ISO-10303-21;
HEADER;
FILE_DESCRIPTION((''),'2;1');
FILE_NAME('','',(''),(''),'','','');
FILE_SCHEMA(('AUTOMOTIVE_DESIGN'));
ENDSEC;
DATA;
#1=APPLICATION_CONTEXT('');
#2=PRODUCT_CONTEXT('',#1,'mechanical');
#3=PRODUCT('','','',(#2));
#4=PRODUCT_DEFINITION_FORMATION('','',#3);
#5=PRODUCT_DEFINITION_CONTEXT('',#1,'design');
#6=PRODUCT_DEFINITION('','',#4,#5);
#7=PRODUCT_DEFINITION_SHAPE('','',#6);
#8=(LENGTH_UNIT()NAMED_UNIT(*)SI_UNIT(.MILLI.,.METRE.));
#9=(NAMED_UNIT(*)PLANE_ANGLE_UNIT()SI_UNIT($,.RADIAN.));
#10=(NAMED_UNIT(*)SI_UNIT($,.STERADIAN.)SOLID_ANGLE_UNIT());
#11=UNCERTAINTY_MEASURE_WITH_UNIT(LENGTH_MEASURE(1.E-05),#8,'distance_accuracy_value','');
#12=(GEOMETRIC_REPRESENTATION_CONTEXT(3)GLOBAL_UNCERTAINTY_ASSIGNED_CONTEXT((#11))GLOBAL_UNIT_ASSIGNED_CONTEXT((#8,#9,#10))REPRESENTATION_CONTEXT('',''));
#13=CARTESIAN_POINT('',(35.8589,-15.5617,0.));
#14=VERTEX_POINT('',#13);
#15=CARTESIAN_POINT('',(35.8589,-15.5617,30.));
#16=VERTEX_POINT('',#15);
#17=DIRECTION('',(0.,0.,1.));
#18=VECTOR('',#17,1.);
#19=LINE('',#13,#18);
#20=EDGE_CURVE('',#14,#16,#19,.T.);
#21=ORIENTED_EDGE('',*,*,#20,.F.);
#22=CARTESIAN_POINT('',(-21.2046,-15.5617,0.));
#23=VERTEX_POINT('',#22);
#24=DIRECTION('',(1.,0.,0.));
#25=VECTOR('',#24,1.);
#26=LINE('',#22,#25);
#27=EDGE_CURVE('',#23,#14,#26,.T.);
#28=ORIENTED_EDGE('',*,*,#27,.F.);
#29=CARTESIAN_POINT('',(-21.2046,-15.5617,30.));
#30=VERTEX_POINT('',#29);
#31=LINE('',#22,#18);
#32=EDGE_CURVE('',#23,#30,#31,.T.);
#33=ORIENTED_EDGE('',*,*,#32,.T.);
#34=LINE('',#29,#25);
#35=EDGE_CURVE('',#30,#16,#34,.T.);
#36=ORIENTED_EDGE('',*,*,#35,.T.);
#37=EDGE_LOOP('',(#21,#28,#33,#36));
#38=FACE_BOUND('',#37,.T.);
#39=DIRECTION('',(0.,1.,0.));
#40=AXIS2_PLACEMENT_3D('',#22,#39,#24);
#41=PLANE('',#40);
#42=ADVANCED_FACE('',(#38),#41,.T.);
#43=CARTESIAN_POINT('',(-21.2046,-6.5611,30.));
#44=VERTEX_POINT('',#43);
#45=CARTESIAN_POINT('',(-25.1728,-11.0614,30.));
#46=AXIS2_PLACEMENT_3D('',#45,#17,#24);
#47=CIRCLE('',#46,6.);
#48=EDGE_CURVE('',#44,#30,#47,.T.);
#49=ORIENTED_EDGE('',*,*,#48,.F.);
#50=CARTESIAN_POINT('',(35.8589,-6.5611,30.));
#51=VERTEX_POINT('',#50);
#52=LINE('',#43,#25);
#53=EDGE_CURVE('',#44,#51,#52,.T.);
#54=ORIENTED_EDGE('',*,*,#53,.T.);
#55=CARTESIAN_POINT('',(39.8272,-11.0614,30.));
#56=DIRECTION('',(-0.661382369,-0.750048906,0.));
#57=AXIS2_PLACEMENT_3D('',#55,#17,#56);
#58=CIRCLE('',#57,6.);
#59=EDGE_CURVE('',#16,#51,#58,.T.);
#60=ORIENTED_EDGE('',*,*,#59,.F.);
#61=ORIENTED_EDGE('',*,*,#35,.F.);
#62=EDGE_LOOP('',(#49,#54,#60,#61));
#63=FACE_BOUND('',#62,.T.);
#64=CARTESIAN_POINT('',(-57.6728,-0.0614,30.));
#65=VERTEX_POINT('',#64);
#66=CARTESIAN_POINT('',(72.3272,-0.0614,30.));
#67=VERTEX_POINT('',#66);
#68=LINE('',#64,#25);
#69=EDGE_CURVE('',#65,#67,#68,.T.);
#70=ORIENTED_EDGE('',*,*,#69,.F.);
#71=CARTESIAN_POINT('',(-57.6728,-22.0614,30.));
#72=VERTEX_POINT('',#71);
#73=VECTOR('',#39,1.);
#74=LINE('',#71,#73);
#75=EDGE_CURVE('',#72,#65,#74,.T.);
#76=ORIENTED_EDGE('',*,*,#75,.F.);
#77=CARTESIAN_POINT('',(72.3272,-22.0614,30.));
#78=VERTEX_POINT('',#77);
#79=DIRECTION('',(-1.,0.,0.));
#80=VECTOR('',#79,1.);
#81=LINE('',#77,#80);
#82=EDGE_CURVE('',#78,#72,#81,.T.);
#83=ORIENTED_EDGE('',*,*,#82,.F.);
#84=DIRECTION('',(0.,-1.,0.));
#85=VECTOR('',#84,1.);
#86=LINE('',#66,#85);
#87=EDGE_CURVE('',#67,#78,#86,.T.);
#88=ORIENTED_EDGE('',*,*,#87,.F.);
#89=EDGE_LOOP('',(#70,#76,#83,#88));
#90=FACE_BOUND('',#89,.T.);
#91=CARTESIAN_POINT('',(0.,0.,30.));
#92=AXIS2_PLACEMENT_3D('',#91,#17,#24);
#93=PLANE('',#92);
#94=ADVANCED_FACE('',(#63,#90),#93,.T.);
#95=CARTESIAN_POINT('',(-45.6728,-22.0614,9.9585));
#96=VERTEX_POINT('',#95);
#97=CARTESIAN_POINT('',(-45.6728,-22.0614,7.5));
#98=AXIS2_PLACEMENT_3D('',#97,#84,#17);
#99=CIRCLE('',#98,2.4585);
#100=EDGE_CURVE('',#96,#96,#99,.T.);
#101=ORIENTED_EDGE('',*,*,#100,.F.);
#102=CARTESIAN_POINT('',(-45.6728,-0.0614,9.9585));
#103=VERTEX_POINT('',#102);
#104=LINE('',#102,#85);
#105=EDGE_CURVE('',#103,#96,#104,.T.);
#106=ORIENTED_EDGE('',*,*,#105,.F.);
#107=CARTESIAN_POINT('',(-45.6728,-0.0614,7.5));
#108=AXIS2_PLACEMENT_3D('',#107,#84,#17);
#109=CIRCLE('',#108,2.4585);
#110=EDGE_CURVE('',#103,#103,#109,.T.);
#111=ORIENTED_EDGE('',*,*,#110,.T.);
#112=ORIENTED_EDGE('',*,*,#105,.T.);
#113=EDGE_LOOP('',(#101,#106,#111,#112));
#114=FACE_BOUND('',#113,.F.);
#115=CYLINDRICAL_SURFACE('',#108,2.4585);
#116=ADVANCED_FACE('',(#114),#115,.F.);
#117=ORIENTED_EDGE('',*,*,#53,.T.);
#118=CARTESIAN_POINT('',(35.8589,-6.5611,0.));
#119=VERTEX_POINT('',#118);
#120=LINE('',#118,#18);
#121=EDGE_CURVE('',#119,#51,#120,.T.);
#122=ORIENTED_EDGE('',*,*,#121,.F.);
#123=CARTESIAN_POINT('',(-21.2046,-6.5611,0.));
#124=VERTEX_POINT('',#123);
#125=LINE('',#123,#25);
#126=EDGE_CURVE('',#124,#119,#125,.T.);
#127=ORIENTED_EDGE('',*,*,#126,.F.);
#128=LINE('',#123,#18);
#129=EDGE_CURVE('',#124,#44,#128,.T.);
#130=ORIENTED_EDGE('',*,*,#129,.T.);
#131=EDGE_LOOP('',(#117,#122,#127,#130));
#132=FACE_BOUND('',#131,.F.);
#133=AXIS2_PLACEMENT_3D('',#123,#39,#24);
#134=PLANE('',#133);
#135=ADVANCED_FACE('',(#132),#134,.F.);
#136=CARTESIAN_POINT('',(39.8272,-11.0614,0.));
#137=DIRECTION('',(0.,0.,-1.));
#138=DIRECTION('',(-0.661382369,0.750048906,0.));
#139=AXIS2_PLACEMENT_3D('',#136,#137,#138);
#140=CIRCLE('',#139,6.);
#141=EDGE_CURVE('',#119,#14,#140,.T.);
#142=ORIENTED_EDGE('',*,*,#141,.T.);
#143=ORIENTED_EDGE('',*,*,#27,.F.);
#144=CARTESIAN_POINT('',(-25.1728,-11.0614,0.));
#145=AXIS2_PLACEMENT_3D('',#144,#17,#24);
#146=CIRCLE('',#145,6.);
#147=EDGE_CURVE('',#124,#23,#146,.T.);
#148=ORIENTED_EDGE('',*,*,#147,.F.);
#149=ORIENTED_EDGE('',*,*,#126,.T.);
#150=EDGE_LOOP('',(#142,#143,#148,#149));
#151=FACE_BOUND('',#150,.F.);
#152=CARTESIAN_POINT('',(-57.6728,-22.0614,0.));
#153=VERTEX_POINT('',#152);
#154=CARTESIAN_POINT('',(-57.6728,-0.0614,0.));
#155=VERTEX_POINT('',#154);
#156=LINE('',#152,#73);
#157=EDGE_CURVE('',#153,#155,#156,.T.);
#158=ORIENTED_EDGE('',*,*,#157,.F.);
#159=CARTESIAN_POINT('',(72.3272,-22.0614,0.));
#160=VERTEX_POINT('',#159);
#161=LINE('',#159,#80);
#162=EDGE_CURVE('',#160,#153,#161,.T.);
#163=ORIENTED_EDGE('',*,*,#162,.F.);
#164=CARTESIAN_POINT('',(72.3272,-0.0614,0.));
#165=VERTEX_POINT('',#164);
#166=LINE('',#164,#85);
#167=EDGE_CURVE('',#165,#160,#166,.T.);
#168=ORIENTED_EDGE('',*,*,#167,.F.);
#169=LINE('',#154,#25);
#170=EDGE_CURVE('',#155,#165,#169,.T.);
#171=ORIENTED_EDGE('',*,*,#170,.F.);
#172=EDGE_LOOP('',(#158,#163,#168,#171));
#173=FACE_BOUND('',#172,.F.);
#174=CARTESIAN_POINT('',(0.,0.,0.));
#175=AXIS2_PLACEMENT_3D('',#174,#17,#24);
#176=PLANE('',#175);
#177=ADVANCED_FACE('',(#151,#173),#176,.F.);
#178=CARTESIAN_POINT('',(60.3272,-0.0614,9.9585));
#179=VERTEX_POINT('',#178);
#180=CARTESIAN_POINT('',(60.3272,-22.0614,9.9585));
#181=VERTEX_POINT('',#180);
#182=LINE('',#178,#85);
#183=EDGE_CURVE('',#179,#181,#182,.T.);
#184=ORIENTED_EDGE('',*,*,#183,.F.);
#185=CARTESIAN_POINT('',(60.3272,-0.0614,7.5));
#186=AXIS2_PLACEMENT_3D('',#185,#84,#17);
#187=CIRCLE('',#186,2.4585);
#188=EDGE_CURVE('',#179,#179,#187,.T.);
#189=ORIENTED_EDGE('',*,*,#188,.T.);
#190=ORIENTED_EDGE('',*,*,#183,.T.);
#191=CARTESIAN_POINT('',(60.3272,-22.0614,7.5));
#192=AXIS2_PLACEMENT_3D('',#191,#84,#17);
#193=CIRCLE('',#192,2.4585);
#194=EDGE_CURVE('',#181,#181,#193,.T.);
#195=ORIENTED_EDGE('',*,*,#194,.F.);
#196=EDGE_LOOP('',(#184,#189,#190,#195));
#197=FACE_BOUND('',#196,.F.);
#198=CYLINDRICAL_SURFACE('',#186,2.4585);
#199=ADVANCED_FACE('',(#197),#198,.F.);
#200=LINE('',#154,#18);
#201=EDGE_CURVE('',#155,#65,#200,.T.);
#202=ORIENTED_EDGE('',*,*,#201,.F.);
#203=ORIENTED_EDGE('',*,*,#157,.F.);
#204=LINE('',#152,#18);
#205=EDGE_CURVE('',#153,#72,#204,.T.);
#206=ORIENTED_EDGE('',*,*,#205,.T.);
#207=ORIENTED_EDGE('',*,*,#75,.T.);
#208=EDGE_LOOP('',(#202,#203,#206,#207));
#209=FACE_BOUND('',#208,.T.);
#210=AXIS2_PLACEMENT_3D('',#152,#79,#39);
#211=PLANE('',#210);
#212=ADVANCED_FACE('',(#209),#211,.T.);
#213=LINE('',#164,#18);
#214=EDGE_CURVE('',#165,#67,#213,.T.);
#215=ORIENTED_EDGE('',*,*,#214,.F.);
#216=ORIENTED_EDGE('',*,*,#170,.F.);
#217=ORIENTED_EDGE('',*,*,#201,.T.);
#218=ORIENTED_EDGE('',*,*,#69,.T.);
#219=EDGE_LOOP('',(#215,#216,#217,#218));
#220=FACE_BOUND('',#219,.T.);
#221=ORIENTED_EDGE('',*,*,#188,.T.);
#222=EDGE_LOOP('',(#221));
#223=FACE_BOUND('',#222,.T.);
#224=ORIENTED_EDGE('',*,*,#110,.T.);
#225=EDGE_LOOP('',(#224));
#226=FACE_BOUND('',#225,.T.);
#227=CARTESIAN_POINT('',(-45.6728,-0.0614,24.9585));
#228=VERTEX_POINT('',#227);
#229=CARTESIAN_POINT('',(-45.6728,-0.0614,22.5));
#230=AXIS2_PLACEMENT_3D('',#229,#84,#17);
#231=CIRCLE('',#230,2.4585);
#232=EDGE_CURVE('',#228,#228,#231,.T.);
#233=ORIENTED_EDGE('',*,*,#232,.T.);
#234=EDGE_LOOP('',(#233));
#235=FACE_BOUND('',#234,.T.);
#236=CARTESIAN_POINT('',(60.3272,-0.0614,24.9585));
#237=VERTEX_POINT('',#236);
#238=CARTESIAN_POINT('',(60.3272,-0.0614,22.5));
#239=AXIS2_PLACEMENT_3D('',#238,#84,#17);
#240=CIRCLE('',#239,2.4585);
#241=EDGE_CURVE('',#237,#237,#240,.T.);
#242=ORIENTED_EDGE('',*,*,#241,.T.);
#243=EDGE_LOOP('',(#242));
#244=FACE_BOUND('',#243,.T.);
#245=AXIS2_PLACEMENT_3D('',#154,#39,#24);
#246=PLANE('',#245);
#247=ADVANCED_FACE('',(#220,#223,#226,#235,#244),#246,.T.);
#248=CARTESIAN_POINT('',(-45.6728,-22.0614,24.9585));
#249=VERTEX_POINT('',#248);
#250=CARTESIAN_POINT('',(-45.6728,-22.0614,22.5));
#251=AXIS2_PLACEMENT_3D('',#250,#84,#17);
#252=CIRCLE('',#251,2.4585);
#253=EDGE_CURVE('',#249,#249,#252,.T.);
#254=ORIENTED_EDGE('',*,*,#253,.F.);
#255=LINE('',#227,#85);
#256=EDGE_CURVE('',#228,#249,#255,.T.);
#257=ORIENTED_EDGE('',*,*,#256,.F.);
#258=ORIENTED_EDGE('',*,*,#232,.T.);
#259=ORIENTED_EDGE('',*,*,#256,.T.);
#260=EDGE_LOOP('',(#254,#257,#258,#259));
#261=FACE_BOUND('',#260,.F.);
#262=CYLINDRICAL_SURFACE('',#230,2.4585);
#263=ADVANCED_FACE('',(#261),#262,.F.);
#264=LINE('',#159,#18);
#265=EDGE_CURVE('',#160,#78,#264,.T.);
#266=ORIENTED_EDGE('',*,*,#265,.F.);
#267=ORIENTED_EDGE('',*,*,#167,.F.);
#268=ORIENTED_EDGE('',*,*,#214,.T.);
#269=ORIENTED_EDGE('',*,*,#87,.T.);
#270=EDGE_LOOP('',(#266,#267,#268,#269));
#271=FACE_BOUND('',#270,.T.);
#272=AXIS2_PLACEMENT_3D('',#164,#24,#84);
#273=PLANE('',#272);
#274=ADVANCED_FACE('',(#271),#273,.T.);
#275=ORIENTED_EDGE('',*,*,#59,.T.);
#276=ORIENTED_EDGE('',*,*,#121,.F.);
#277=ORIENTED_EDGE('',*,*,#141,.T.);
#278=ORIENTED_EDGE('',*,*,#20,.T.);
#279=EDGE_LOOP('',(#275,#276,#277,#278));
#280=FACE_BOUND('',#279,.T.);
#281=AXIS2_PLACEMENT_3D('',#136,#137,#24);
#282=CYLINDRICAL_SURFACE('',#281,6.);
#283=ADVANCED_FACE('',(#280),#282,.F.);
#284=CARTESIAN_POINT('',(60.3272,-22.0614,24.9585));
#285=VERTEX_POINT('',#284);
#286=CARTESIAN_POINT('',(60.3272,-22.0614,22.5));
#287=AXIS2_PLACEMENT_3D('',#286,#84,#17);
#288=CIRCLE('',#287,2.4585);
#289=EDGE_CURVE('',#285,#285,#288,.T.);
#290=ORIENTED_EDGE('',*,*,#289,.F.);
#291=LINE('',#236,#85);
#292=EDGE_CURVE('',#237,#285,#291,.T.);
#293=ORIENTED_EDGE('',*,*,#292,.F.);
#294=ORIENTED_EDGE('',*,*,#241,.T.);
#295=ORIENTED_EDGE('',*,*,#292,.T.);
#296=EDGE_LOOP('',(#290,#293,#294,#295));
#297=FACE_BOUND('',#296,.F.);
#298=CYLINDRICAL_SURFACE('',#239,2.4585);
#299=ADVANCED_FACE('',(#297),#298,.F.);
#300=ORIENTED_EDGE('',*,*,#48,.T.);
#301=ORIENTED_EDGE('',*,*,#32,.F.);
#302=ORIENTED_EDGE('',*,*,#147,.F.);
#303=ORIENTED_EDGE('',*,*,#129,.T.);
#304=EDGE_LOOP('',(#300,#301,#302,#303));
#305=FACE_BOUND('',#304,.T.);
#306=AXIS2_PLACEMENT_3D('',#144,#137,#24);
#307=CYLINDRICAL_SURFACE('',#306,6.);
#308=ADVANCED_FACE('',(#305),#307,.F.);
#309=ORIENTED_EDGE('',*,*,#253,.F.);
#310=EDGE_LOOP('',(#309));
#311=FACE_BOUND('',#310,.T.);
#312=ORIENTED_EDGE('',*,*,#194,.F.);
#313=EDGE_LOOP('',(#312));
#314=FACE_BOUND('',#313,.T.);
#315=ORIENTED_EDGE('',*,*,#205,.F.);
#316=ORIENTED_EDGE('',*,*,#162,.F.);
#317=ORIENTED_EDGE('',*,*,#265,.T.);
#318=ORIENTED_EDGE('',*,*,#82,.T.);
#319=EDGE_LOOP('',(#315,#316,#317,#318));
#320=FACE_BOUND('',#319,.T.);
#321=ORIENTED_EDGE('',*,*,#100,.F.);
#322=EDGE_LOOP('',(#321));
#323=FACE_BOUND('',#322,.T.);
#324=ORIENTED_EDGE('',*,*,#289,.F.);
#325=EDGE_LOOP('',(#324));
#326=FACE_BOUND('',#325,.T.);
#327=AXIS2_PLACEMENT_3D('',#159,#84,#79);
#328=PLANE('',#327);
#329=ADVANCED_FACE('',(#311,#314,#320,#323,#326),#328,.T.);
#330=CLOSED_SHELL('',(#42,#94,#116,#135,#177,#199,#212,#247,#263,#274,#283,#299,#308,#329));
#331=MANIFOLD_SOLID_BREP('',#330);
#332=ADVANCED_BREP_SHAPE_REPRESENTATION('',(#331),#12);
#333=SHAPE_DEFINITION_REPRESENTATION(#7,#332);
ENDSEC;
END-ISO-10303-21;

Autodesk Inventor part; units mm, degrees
ref_plane "YZ Plane" through (0, 0, 0) normal (1, 0, 0) x (0, 1, 0)
ref_plane "XZ Plane" through (0, 0, 0) normal (0, 1, 0) x (-1, 0, 0)
ref_plane "XY Plane" through (0, 0, 0) normal (0, 0, 1) x (1, 0, 0)
sketch "スケッチ1" plane through (0, 0, 0) normal (0, 0, 1) x (1, 0, 0)
  line L0 (-57.6728, -0.0614) -> (72.3272, -0.0614)
  line L1 (72.3272, -0.0614) -> (72.3272, -22.0614)
  line L2 (72.3272, -22.0614) -> (-57.6728, -22.0614)
  line L3 (-57.6728, -22.0614) -> (-57.6728, -0.0614)
  circle A0 centre (-25.1728, -11.0614) radius 6
  circle A1 centre (39.8272, -11.0614) radius 6
  line L4 (-21.2046, -6.5611) -> (35.8589, -6.5611)
  line L5 (-21.2046, -15.5617) -> (35.8589, -15.5617)
  point P0 (0, 0)
  dimension "d0" = 130
  dimension "d1" = 22
  dimension "d4" = 12
  dimension "d5" = 12
  dimension "d6" = 65
  dimension "d7" = 11
  dimension "d8" = 11
  dimension "d9" = 32.5
extrude "押し出し1" add sketch "スケッチ1" along normal blind 30 contours L0 L1 L2 L3 | A0 | A0 L4 A1 L5 | A1
extrude "押し出し2" cut sketch "スケッチ1" along normal blind 30 contours A0 | A0 L4 A1 L5 | A1
sketch "スケッチ2" plane through (-57.6728, -0.0614, 0) normal (0, 1, 0) x (1, 0, 0)
  circle A0 centre (12, -7.5) radius 3
  line L0 (65, -1.1982) -> (65, -25.359)
  line L1 (8.4096, -15) -> (24.5168, -15)
  line L2 (130, 0) -> (130, -30) projected
  line L3 (0, 0) -> (130, 0) projected
  line L4 (0, 0) -> (0, -30) projected
  circle A1 centre (12, -22.5) radius 3
  circle A2 centre (118, -7.5) radius 3
  circle A3 centre (118, -22.5) radius 3
  point P0 (57.6728, 0)
  dimension "d12" = 6
  dimension "d13" = 65
  dimension "d14" = 15
  dimension "d15" = 12
  dimension "d16" = 7.5
hole "穴1" at (-45.6728, -0.0614, 7.5) at (-45.6728, -0.0614, 22.5) at (60.3272, -0.0614, 7.5) at (60.3272, -0.0614, 22.5) direction (0, -1, 0) diameter 4.917 end through all thread size "M6x1" class "6H" standard "ANSI Metric M Profile"
properties part number "sc601_load_cell" material "アルミニウム 6061-O"
